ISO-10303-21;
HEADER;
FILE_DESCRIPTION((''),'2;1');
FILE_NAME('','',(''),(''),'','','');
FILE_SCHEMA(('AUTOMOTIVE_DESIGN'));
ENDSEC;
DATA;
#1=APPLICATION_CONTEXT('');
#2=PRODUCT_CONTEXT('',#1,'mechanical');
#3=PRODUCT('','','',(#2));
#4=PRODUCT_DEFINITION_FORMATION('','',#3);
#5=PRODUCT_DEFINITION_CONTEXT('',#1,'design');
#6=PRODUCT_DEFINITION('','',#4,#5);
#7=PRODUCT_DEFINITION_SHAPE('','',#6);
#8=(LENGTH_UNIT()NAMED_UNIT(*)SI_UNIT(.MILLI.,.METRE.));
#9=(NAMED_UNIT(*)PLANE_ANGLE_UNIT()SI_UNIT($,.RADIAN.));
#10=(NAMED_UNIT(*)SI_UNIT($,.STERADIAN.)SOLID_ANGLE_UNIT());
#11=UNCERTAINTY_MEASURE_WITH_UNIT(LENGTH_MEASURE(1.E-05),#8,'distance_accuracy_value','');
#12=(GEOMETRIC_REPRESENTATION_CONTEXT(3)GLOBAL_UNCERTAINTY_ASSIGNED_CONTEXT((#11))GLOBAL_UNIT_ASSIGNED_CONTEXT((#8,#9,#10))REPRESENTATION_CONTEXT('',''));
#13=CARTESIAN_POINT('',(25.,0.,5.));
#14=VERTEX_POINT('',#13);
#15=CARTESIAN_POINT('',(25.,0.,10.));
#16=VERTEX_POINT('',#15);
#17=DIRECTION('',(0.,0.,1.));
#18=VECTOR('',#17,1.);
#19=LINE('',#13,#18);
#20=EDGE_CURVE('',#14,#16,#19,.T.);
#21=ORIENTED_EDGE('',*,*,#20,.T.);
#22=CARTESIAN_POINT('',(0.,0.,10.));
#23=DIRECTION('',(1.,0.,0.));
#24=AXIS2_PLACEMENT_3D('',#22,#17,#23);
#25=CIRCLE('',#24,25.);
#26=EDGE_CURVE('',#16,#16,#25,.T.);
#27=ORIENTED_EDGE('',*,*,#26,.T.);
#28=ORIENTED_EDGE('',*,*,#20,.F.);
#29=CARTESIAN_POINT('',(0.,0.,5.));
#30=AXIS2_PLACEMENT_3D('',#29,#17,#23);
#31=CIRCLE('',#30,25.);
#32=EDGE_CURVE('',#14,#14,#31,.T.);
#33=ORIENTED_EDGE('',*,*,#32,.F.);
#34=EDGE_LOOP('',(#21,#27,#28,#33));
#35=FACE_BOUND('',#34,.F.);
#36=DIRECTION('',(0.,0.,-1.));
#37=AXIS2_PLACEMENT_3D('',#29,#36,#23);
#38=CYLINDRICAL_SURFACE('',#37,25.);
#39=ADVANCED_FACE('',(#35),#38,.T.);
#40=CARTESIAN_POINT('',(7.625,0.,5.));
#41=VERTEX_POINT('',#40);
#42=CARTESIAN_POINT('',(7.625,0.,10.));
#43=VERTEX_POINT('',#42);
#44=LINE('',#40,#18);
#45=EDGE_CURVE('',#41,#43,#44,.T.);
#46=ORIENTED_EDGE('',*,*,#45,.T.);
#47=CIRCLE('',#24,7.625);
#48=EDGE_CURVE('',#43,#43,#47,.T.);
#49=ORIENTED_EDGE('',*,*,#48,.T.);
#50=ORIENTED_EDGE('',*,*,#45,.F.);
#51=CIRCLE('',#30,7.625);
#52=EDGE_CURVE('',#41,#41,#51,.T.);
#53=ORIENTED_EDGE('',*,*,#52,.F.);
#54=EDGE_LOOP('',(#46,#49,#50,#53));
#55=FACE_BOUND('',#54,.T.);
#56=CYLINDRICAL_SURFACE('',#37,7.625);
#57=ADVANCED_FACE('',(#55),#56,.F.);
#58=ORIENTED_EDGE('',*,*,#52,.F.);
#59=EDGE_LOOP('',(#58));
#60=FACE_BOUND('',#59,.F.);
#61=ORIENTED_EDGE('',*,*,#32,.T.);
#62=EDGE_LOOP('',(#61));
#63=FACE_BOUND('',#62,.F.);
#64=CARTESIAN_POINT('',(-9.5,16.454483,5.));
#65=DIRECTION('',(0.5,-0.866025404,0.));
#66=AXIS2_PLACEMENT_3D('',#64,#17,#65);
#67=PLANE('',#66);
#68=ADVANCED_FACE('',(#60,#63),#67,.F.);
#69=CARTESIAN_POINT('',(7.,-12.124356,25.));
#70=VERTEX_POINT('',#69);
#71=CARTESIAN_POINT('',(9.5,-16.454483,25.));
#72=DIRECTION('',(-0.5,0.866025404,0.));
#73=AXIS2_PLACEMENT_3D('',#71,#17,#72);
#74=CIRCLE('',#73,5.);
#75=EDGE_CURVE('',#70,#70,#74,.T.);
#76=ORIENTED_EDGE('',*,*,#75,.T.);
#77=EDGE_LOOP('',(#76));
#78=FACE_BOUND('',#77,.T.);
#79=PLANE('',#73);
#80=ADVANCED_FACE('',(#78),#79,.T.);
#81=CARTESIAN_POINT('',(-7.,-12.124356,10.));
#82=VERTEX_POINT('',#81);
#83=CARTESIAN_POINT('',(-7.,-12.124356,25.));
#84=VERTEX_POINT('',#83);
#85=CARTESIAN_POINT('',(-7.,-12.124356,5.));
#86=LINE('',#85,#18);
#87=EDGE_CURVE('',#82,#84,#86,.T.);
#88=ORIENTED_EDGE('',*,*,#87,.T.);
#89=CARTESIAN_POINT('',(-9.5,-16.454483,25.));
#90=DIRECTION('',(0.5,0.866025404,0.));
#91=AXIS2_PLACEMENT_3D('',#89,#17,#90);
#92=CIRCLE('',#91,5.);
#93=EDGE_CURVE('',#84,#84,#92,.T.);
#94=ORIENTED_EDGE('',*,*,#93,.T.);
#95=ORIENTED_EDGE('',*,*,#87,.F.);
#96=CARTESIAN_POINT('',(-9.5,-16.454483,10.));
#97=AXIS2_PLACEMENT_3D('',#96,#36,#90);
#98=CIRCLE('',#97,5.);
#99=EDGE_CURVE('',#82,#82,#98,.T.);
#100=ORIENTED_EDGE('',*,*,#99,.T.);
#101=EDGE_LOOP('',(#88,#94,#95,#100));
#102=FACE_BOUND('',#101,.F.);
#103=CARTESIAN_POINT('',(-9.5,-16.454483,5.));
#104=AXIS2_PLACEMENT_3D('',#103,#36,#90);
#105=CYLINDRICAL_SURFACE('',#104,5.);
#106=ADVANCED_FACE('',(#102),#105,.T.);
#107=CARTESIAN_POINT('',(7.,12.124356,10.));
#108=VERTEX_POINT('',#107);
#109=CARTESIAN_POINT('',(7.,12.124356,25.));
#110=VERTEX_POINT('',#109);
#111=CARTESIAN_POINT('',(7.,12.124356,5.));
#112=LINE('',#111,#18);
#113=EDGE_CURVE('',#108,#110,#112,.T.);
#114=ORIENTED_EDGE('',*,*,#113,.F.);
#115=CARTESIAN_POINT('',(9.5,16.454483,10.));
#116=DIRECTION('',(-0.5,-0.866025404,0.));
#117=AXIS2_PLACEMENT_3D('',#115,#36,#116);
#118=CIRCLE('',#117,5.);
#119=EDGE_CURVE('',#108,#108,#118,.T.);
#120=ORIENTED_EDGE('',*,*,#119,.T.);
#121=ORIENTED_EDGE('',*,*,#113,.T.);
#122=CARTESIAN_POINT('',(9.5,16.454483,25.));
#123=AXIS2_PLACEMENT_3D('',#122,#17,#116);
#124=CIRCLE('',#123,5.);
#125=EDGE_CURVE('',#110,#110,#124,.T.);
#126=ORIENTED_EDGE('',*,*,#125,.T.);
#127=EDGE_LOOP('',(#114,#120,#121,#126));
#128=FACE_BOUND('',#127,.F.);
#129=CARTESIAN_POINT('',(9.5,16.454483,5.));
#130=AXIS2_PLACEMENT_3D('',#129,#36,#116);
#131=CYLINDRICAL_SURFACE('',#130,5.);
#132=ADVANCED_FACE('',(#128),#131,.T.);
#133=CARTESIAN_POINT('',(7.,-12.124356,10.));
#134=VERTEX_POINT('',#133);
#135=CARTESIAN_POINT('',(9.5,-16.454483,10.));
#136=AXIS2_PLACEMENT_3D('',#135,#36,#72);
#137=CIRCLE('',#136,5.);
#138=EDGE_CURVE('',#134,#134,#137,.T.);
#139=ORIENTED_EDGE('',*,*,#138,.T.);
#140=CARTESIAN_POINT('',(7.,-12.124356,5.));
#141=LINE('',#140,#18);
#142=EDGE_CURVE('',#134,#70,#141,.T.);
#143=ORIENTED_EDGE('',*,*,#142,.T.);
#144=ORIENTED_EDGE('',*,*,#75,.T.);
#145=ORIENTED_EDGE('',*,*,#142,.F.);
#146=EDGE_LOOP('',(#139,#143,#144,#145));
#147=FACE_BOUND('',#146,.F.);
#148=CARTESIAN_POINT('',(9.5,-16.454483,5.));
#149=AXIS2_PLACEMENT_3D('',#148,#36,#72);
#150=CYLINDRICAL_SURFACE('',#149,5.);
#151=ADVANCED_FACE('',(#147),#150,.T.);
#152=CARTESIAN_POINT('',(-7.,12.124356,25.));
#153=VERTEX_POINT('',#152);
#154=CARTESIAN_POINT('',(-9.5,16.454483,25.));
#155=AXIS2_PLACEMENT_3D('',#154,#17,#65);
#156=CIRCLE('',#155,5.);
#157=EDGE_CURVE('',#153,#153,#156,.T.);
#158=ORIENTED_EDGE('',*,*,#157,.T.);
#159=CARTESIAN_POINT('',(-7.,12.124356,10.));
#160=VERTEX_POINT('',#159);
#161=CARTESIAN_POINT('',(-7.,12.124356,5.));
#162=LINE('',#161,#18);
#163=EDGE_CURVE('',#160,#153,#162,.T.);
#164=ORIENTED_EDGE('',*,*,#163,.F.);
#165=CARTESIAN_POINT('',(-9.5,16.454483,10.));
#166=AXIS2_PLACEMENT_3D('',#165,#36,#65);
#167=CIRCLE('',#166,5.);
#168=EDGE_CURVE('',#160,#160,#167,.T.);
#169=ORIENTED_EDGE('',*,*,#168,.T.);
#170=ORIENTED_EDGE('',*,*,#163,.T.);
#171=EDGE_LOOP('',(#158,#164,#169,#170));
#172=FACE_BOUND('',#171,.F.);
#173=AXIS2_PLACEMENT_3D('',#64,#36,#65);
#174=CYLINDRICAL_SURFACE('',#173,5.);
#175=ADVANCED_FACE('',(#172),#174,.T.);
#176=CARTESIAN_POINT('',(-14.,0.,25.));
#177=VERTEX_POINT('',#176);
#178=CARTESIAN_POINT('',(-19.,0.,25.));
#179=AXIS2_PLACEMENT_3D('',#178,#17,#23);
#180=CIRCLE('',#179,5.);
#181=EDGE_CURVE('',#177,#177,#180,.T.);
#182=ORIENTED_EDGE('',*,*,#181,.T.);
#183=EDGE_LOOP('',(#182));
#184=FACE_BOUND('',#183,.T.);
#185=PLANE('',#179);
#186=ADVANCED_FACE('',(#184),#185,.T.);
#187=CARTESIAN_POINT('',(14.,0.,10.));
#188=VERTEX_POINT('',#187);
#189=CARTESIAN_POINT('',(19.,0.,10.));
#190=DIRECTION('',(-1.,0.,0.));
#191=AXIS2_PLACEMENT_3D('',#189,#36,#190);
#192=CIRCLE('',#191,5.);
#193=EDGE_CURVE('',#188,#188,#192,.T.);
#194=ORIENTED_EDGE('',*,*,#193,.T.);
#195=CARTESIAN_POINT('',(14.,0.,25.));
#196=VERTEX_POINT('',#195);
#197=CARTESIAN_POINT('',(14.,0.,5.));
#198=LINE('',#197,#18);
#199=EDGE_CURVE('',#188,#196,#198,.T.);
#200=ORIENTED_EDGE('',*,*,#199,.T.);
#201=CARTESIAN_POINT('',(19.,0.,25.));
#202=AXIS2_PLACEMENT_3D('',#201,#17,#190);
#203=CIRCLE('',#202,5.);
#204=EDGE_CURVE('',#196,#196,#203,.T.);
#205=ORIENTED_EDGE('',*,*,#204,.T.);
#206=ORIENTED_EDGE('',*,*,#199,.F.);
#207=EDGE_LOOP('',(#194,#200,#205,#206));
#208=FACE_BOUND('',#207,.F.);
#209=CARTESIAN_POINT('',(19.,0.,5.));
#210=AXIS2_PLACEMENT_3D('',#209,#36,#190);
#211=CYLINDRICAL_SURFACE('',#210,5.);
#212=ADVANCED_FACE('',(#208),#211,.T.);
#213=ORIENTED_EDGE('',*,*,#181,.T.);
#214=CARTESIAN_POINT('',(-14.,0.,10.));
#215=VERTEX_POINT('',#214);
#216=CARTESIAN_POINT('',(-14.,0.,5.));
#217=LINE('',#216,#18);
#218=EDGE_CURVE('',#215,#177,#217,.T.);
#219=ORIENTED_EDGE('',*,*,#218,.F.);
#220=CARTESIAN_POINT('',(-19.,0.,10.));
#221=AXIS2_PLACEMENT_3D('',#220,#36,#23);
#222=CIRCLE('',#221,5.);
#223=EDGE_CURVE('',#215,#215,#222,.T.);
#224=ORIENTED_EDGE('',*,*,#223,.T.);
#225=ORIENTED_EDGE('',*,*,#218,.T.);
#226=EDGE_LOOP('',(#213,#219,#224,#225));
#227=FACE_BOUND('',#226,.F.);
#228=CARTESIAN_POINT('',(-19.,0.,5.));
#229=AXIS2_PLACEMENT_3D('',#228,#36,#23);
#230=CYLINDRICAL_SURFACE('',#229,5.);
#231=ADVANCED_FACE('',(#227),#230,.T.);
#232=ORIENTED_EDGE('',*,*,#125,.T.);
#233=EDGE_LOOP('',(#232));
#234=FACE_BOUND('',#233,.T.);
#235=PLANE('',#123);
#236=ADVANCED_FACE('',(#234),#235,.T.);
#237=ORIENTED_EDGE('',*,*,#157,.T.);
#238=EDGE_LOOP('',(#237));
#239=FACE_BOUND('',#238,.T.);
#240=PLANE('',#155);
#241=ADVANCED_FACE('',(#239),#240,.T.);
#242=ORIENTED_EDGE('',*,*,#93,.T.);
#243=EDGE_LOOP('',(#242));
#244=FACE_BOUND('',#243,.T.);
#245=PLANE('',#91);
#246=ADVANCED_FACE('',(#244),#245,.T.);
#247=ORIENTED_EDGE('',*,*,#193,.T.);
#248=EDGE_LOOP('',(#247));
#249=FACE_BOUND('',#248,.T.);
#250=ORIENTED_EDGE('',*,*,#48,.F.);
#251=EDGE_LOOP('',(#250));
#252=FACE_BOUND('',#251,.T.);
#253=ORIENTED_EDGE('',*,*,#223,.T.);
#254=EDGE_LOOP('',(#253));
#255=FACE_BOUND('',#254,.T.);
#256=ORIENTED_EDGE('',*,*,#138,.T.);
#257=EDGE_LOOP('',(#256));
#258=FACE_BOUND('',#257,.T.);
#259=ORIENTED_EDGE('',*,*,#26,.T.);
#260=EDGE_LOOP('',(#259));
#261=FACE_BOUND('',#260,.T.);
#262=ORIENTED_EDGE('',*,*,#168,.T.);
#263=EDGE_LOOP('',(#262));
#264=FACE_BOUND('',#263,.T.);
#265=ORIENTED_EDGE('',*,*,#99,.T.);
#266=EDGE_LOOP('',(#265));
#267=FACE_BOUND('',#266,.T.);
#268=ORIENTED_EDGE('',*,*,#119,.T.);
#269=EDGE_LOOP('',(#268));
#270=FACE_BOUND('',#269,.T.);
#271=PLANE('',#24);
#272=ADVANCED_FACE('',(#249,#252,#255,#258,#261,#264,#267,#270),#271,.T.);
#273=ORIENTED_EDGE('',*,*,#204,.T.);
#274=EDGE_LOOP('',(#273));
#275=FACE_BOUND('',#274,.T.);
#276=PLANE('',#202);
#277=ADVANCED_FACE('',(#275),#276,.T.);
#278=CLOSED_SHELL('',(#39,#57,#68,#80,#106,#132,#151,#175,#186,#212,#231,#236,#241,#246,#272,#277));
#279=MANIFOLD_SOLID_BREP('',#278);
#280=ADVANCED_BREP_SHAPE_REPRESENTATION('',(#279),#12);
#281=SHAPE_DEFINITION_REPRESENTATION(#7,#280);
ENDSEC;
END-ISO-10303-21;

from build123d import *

# Parameters (mm, degrees)
DRIVERDISKBASESKETCH001_R   = 25
DRIVERDISKBASESKETCH001_R_2 = 7.625
PAD_DEPTH                   = 5
DRIVERSHAFTSKETCH_R         = 5
PAD004_DEPTH                = 20
DRIVERDISKPOLAR_COUNT       = 6


with BuildPart() as part:
    # DriverDiskBaseSketch001 → Pad (new body)
    with BuildSketch(Plane.XY):
        Circle(DRIVERDISKBASESKETCH001_R)
        Circle(DRIVERDISKBASESKETCH001_R_2, mode=Mode.SUBTRACT)
    extrude(amount=PAD_DEPTH)

    # DriverShaftSketch → Pad004 (join)
    with BuildSketch(Plane.XY):
        with Locations((-19, 0)):
            Circle(DRIVERSHAFTSKETCH_R)
    pad004 = extrude(amount=PAD004_DEPTH)

    # DriverDiskPolar: Pad004 ×6 about axis
    driverdiskpolar_axis = Axis((0, 0, 0), (0, 0, 1))
    for i in range(1, DRIVERDISKPOLAR_COUNT):
        add(pad004.rotate(driverdiskpolar_axis, i * 360 / DRIVERDISKPOLAR_COUNT))


with BuildPart() as part_1:
    # driverDisk placement: moved
    add(part.part.moved(Location((0, 0, 5))))


solid = part_1.part
